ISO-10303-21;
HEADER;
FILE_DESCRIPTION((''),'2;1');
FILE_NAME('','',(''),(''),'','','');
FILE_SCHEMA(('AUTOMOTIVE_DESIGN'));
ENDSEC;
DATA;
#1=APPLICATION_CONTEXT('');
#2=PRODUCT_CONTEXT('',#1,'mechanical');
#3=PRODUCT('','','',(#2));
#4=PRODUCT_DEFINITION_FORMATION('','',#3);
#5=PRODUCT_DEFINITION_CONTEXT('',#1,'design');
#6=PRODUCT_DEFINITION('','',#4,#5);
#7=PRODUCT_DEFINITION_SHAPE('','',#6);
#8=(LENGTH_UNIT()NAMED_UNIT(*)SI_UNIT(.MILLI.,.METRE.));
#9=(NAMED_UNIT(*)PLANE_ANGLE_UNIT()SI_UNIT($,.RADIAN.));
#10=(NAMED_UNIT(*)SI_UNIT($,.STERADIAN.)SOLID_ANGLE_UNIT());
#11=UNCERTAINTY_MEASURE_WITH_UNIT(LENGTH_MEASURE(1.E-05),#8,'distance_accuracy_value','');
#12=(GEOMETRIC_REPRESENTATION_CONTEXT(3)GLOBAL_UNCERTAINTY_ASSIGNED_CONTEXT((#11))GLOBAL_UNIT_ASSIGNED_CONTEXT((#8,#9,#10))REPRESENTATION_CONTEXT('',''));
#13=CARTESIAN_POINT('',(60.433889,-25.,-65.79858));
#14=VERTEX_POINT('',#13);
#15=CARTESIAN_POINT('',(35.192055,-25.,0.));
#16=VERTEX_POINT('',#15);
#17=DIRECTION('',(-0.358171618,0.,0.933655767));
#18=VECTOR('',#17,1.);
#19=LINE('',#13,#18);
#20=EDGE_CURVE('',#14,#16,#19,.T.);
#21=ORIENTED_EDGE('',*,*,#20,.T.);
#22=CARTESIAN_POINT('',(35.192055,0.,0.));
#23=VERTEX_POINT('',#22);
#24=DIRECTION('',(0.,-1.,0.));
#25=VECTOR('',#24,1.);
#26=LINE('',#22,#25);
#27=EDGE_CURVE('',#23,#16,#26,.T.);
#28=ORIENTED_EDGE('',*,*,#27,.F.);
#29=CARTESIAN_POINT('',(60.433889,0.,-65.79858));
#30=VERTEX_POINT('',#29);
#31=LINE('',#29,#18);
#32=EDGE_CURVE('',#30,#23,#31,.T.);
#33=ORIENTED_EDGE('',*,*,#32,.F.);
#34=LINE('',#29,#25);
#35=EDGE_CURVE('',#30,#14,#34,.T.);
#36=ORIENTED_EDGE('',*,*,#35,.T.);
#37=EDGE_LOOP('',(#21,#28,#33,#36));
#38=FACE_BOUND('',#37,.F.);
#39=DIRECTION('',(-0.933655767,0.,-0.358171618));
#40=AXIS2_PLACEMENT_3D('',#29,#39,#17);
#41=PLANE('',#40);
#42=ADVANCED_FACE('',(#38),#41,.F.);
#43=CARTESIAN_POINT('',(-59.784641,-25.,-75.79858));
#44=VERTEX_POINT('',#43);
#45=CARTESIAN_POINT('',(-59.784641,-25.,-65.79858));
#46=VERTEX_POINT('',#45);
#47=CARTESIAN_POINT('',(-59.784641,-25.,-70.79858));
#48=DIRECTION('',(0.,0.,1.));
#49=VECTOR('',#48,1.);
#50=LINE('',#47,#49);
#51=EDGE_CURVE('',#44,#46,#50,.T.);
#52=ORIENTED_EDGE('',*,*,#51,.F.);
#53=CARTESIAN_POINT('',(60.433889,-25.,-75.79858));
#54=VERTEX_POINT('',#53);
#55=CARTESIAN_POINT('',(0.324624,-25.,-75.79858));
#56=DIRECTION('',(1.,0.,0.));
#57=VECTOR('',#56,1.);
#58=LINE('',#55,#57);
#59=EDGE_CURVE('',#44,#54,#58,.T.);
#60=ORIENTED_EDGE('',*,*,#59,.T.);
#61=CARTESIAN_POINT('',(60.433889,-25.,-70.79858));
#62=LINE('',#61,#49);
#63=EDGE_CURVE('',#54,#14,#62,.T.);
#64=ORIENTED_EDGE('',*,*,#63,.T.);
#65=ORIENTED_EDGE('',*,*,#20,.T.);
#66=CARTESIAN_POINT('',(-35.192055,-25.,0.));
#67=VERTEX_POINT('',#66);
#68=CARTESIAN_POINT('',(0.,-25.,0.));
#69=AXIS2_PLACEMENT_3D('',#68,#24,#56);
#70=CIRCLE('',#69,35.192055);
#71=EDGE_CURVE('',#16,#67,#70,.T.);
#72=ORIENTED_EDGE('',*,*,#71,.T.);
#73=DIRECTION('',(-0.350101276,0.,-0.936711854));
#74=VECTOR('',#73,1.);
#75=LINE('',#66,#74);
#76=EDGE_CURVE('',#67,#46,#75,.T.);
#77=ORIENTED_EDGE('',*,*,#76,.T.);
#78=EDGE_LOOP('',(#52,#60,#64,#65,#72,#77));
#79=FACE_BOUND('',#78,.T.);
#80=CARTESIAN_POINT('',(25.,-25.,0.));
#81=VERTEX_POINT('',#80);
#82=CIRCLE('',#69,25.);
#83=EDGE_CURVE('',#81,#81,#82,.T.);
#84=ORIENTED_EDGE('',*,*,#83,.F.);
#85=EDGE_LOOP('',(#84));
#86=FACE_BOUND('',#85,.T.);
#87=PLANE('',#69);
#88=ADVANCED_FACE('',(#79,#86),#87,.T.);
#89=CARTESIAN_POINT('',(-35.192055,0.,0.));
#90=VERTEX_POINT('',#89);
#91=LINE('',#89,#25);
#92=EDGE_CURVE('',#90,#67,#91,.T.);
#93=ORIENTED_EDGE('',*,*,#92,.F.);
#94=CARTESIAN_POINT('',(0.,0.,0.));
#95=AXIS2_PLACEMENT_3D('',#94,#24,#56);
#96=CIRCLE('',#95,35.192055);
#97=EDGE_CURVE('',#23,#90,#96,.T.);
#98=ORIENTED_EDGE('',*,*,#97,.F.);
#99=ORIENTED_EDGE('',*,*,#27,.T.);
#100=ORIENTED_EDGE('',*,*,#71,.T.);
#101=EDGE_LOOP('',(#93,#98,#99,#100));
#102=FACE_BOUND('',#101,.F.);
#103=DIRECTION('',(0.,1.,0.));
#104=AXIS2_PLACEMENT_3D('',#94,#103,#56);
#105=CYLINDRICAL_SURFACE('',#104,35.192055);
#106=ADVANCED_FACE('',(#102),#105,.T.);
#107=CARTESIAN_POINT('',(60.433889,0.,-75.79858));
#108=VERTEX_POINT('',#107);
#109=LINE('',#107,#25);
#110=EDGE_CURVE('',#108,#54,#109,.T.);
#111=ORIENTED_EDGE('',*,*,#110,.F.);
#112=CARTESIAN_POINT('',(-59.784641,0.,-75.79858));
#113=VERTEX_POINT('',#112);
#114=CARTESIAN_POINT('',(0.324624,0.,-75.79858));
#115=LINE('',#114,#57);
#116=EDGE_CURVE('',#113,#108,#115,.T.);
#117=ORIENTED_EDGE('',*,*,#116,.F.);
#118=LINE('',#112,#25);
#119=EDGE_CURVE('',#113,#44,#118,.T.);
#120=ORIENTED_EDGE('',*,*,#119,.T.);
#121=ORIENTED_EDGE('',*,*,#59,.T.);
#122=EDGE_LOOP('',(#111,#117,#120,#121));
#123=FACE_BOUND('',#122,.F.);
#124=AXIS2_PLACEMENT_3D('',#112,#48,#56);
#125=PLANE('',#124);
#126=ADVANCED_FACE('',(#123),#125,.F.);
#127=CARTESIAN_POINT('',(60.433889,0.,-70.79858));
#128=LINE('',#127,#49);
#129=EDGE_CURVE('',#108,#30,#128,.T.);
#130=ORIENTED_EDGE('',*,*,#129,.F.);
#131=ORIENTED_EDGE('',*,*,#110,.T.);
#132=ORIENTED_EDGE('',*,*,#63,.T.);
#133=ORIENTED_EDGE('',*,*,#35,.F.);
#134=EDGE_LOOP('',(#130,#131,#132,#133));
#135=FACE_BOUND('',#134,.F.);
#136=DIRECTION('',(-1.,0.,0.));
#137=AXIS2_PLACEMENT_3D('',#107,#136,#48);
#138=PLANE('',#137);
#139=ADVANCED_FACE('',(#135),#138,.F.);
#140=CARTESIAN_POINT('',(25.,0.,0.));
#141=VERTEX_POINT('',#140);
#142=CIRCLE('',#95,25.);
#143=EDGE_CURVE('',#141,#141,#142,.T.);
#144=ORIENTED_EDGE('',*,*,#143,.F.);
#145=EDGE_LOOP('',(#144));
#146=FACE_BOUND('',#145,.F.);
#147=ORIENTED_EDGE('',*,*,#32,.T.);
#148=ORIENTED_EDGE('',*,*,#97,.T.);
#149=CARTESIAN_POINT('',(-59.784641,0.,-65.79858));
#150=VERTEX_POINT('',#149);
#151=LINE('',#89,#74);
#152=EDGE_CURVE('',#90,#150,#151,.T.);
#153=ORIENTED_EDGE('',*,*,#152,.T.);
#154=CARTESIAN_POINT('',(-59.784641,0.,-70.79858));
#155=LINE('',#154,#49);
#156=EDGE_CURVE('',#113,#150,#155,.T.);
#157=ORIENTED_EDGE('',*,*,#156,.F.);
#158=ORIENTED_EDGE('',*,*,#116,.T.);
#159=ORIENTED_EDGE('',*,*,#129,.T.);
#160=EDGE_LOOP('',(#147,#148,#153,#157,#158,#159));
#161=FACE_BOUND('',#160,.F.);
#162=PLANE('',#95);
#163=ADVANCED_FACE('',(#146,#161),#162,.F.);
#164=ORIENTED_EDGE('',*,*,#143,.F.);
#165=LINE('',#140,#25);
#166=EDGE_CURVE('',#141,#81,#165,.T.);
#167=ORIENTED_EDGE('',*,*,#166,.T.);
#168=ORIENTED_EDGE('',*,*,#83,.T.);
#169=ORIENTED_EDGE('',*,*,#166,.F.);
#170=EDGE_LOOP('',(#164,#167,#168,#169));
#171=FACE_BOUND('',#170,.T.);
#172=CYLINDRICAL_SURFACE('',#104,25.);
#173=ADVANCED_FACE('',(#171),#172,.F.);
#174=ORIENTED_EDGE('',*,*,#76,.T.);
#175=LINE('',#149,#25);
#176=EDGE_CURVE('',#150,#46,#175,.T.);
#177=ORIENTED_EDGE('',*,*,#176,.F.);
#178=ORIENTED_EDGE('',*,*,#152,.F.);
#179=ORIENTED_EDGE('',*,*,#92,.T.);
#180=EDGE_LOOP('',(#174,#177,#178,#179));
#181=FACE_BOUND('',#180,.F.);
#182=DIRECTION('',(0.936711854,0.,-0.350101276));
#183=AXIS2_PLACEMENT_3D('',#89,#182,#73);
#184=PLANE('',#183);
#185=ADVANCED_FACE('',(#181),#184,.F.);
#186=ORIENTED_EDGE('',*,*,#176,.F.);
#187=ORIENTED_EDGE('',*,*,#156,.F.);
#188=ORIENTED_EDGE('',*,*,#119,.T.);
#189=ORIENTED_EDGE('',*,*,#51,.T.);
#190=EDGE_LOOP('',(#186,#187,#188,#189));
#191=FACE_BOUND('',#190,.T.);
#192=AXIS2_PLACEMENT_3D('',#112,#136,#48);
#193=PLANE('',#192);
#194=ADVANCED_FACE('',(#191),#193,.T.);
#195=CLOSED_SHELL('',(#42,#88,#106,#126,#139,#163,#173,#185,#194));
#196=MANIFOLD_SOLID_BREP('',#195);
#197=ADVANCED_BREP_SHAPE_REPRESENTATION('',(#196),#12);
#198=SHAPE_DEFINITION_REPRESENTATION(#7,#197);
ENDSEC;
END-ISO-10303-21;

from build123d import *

# Parameters (mm, degrees)
F0_R     = 25
F0_W     = 120.21853
F0_H     = 10
F1_DEPTH = 25


with BuildPart() as f1:
    # F0 (on Front) → F1 (new body)
    with BuildSketch(Plane.XZ):
        with BuildLine():
            ThreePointArc((-35.192055, 0), (0, -35.192055), (35.192055, 0))
            ThreePointArc((35.192055, 0), (0, 35.192055), (-35.192055, 0))
        make_face()
        Circle(F0_R, mode=Mode.SUBTRACT)
        with BuildLine():
            Line((60.433889, -65.79858), (35.192055, 0))
            ThreePointArc((35.192055, 0), (0, -35.192055), (-35.192055, 0))
            Line((-35.192055, 0), (-59.784641, -65.79858))
            Line((-59.784641, -65.79858), (60.433889, -65.79858))
        make_face()
        with Locations((0.324624, -70.79858)):
            Rectangle(F0_W, F0_H)
    extrude(amount=F1_DEPTH)


solid = f1.part
